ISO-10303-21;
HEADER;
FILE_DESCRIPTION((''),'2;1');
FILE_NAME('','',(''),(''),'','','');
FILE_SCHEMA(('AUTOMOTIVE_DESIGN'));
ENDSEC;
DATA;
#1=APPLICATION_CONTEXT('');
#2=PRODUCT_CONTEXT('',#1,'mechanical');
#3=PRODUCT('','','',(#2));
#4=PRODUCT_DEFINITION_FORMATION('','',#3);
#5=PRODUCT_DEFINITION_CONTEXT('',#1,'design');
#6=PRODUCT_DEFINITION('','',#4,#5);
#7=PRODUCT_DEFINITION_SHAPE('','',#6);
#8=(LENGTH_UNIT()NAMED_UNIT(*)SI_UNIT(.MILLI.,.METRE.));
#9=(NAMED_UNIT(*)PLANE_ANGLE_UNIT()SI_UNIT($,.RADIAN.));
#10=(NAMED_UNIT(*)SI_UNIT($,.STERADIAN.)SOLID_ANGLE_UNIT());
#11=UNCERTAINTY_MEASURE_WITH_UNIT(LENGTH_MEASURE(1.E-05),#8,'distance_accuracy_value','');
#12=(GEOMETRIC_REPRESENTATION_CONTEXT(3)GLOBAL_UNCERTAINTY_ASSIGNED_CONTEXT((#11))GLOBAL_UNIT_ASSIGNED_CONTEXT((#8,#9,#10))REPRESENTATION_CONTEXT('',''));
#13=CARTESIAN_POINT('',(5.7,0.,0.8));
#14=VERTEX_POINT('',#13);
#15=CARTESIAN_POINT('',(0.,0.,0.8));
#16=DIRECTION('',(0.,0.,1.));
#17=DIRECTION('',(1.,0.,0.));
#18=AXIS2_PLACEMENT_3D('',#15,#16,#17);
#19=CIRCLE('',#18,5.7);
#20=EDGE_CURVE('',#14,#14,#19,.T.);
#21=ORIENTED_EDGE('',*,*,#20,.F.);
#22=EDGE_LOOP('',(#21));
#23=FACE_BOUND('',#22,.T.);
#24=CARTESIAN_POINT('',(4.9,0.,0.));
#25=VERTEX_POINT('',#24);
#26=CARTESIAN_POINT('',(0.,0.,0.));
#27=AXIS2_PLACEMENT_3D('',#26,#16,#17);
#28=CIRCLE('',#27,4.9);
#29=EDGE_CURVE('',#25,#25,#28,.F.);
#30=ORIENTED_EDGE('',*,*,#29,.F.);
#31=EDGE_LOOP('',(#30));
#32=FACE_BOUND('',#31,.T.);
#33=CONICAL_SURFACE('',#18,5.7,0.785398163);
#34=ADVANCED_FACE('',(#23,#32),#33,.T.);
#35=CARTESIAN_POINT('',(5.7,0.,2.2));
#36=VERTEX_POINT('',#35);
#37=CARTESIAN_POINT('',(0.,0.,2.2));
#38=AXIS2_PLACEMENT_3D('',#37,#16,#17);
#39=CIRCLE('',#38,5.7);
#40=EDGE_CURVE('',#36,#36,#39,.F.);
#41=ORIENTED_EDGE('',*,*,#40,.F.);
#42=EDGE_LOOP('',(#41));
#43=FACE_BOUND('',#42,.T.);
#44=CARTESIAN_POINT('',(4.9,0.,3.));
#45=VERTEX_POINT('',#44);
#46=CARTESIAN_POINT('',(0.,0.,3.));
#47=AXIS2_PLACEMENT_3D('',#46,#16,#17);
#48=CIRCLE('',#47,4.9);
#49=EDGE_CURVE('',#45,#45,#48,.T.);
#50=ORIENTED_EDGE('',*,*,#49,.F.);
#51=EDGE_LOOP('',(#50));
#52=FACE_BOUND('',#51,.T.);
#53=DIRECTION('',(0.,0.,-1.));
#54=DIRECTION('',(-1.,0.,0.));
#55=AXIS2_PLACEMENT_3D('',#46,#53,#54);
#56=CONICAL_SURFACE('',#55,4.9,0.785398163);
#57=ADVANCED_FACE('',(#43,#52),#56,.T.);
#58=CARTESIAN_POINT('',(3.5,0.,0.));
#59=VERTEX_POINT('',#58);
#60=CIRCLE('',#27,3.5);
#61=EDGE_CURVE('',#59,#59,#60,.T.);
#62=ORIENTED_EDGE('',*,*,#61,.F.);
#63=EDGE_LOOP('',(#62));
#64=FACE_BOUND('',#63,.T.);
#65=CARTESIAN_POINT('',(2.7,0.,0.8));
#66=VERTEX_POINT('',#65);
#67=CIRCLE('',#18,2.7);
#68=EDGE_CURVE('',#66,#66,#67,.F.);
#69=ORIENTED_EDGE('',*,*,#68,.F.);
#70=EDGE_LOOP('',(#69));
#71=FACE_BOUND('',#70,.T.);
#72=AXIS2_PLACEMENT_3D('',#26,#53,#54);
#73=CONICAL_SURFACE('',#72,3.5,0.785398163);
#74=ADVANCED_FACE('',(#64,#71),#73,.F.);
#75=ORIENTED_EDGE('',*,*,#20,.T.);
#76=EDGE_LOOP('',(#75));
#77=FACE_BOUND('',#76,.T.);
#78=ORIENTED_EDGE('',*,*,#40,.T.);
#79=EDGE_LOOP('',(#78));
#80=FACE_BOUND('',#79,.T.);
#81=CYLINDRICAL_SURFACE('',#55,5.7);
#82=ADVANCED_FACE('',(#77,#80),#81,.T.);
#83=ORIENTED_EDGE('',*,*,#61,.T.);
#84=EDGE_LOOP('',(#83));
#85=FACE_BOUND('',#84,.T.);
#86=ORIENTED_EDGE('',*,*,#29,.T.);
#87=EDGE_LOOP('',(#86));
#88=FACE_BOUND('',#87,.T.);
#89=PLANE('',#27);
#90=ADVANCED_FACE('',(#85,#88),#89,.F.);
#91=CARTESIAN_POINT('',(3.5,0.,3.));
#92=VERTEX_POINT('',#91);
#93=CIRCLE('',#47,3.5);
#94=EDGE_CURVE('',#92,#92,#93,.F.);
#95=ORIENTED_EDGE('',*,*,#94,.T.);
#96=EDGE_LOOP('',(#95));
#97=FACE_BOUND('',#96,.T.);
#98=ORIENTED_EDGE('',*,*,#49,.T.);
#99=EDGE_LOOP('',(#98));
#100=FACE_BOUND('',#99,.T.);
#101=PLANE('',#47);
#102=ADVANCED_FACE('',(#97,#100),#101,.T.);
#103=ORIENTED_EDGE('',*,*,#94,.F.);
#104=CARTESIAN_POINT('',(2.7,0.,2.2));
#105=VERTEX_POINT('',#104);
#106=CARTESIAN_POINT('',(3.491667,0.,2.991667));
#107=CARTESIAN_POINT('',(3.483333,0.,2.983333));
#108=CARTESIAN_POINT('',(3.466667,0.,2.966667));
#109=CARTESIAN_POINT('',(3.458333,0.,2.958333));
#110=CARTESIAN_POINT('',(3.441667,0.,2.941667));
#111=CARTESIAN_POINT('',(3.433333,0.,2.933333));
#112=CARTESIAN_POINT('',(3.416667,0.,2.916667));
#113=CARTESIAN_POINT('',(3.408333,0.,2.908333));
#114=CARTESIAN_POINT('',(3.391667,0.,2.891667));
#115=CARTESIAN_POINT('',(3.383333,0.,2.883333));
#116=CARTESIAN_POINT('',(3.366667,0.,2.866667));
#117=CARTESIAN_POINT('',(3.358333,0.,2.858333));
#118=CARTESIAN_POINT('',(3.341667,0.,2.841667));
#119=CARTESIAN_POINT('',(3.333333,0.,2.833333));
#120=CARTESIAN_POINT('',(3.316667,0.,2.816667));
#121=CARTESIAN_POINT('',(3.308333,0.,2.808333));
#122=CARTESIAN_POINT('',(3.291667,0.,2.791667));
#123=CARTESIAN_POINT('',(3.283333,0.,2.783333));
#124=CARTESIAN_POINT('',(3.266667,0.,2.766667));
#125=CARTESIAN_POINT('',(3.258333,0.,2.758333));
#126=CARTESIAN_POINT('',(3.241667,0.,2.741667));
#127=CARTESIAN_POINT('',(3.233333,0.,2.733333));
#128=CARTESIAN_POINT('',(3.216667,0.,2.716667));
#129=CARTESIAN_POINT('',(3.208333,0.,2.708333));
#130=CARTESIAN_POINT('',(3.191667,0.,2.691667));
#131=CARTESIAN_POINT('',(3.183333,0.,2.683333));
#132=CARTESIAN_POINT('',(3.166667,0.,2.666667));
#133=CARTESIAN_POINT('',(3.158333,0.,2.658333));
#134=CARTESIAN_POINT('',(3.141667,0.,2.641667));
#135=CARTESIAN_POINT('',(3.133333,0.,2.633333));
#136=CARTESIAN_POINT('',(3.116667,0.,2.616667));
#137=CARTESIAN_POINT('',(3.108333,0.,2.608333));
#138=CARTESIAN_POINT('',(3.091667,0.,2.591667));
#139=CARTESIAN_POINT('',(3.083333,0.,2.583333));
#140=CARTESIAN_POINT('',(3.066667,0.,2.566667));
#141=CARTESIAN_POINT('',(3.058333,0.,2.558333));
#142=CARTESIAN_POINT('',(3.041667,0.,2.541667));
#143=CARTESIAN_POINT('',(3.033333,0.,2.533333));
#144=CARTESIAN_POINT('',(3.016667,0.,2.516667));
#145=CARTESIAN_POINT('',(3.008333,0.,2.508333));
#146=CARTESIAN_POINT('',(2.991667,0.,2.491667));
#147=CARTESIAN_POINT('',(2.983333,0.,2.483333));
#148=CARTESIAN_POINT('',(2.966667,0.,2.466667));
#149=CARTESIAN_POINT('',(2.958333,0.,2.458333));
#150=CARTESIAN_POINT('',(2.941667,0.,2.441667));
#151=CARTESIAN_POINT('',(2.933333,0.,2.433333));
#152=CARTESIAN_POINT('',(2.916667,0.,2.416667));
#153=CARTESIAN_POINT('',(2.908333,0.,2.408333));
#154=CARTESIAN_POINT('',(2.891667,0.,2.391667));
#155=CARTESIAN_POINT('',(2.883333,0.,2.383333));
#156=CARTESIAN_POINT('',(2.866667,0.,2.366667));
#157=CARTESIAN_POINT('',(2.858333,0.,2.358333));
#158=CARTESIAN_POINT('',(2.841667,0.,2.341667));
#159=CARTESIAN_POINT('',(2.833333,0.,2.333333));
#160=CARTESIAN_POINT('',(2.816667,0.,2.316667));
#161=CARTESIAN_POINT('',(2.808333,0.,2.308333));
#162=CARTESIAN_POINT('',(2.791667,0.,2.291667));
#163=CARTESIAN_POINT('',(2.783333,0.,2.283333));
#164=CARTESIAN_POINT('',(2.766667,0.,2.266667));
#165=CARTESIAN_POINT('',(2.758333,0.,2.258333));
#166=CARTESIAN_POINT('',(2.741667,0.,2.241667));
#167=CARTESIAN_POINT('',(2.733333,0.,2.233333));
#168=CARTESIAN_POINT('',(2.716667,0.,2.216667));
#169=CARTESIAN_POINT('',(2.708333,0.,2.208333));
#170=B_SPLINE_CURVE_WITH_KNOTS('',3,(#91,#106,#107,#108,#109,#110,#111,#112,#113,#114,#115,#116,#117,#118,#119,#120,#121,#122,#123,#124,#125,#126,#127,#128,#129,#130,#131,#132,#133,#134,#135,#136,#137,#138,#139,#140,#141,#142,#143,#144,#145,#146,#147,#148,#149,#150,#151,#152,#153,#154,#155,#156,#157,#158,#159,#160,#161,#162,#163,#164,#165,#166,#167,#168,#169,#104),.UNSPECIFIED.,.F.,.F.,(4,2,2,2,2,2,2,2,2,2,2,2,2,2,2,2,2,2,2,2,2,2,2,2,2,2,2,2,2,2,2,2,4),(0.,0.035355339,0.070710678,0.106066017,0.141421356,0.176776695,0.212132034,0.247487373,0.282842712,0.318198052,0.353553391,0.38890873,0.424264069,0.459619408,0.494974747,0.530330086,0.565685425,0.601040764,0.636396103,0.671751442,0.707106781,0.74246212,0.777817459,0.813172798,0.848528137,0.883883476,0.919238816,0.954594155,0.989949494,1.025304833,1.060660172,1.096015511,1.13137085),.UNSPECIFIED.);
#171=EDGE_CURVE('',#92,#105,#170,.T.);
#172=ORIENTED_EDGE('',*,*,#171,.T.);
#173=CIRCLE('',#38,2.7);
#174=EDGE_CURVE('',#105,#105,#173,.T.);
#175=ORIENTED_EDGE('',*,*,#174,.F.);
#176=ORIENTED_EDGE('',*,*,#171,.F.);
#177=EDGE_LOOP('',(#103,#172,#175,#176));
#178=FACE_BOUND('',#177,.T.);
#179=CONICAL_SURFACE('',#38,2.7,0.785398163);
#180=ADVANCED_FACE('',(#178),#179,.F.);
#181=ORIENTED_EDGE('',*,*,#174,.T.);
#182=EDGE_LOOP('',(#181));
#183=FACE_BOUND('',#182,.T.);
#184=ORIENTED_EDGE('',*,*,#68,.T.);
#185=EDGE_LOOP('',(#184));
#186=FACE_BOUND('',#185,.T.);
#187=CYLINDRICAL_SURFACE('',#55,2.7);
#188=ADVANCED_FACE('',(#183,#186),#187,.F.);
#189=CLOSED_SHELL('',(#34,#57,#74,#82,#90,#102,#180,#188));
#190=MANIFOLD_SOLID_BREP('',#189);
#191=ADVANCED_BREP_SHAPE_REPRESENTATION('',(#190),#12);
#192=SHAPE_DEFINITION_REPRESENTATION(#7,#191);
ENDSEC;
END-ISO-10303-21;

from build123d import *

# Parameters (mm, degrees)
ESBO_O1_R                = 5.7
ESBO_O1_R_2              = 2.7
RESSALTO_EXTRUS_O1_DEPTH = 3
CHANFRO1_SIZE            = 0.8


with BuildPart() as part:
    # Esboço1 → Ressalto-extrusão1 (new body)
    with BuildSketch(Plane.XY):
        Circle(ESBO_O1_R)
        Circle(ESBO_O1_R_2, mode=Mode.SUBTRACT)
    extrude(amount=RESSALTO_EXTRUS_O1_DEPTH)

    # Chanfro1
    chanfro1_edges = [part.edges().sort_by_distance(p)[0] for p in [
        (-5.7, 0, 0),
        (-5.7, 0, 3),
        (-2.7, 0, 0),
        (-2.7, 0, 3),
    ]]
    chamfer(chanfro1_edges, length=CHANFRO1_SIZE)


solid = part.part
